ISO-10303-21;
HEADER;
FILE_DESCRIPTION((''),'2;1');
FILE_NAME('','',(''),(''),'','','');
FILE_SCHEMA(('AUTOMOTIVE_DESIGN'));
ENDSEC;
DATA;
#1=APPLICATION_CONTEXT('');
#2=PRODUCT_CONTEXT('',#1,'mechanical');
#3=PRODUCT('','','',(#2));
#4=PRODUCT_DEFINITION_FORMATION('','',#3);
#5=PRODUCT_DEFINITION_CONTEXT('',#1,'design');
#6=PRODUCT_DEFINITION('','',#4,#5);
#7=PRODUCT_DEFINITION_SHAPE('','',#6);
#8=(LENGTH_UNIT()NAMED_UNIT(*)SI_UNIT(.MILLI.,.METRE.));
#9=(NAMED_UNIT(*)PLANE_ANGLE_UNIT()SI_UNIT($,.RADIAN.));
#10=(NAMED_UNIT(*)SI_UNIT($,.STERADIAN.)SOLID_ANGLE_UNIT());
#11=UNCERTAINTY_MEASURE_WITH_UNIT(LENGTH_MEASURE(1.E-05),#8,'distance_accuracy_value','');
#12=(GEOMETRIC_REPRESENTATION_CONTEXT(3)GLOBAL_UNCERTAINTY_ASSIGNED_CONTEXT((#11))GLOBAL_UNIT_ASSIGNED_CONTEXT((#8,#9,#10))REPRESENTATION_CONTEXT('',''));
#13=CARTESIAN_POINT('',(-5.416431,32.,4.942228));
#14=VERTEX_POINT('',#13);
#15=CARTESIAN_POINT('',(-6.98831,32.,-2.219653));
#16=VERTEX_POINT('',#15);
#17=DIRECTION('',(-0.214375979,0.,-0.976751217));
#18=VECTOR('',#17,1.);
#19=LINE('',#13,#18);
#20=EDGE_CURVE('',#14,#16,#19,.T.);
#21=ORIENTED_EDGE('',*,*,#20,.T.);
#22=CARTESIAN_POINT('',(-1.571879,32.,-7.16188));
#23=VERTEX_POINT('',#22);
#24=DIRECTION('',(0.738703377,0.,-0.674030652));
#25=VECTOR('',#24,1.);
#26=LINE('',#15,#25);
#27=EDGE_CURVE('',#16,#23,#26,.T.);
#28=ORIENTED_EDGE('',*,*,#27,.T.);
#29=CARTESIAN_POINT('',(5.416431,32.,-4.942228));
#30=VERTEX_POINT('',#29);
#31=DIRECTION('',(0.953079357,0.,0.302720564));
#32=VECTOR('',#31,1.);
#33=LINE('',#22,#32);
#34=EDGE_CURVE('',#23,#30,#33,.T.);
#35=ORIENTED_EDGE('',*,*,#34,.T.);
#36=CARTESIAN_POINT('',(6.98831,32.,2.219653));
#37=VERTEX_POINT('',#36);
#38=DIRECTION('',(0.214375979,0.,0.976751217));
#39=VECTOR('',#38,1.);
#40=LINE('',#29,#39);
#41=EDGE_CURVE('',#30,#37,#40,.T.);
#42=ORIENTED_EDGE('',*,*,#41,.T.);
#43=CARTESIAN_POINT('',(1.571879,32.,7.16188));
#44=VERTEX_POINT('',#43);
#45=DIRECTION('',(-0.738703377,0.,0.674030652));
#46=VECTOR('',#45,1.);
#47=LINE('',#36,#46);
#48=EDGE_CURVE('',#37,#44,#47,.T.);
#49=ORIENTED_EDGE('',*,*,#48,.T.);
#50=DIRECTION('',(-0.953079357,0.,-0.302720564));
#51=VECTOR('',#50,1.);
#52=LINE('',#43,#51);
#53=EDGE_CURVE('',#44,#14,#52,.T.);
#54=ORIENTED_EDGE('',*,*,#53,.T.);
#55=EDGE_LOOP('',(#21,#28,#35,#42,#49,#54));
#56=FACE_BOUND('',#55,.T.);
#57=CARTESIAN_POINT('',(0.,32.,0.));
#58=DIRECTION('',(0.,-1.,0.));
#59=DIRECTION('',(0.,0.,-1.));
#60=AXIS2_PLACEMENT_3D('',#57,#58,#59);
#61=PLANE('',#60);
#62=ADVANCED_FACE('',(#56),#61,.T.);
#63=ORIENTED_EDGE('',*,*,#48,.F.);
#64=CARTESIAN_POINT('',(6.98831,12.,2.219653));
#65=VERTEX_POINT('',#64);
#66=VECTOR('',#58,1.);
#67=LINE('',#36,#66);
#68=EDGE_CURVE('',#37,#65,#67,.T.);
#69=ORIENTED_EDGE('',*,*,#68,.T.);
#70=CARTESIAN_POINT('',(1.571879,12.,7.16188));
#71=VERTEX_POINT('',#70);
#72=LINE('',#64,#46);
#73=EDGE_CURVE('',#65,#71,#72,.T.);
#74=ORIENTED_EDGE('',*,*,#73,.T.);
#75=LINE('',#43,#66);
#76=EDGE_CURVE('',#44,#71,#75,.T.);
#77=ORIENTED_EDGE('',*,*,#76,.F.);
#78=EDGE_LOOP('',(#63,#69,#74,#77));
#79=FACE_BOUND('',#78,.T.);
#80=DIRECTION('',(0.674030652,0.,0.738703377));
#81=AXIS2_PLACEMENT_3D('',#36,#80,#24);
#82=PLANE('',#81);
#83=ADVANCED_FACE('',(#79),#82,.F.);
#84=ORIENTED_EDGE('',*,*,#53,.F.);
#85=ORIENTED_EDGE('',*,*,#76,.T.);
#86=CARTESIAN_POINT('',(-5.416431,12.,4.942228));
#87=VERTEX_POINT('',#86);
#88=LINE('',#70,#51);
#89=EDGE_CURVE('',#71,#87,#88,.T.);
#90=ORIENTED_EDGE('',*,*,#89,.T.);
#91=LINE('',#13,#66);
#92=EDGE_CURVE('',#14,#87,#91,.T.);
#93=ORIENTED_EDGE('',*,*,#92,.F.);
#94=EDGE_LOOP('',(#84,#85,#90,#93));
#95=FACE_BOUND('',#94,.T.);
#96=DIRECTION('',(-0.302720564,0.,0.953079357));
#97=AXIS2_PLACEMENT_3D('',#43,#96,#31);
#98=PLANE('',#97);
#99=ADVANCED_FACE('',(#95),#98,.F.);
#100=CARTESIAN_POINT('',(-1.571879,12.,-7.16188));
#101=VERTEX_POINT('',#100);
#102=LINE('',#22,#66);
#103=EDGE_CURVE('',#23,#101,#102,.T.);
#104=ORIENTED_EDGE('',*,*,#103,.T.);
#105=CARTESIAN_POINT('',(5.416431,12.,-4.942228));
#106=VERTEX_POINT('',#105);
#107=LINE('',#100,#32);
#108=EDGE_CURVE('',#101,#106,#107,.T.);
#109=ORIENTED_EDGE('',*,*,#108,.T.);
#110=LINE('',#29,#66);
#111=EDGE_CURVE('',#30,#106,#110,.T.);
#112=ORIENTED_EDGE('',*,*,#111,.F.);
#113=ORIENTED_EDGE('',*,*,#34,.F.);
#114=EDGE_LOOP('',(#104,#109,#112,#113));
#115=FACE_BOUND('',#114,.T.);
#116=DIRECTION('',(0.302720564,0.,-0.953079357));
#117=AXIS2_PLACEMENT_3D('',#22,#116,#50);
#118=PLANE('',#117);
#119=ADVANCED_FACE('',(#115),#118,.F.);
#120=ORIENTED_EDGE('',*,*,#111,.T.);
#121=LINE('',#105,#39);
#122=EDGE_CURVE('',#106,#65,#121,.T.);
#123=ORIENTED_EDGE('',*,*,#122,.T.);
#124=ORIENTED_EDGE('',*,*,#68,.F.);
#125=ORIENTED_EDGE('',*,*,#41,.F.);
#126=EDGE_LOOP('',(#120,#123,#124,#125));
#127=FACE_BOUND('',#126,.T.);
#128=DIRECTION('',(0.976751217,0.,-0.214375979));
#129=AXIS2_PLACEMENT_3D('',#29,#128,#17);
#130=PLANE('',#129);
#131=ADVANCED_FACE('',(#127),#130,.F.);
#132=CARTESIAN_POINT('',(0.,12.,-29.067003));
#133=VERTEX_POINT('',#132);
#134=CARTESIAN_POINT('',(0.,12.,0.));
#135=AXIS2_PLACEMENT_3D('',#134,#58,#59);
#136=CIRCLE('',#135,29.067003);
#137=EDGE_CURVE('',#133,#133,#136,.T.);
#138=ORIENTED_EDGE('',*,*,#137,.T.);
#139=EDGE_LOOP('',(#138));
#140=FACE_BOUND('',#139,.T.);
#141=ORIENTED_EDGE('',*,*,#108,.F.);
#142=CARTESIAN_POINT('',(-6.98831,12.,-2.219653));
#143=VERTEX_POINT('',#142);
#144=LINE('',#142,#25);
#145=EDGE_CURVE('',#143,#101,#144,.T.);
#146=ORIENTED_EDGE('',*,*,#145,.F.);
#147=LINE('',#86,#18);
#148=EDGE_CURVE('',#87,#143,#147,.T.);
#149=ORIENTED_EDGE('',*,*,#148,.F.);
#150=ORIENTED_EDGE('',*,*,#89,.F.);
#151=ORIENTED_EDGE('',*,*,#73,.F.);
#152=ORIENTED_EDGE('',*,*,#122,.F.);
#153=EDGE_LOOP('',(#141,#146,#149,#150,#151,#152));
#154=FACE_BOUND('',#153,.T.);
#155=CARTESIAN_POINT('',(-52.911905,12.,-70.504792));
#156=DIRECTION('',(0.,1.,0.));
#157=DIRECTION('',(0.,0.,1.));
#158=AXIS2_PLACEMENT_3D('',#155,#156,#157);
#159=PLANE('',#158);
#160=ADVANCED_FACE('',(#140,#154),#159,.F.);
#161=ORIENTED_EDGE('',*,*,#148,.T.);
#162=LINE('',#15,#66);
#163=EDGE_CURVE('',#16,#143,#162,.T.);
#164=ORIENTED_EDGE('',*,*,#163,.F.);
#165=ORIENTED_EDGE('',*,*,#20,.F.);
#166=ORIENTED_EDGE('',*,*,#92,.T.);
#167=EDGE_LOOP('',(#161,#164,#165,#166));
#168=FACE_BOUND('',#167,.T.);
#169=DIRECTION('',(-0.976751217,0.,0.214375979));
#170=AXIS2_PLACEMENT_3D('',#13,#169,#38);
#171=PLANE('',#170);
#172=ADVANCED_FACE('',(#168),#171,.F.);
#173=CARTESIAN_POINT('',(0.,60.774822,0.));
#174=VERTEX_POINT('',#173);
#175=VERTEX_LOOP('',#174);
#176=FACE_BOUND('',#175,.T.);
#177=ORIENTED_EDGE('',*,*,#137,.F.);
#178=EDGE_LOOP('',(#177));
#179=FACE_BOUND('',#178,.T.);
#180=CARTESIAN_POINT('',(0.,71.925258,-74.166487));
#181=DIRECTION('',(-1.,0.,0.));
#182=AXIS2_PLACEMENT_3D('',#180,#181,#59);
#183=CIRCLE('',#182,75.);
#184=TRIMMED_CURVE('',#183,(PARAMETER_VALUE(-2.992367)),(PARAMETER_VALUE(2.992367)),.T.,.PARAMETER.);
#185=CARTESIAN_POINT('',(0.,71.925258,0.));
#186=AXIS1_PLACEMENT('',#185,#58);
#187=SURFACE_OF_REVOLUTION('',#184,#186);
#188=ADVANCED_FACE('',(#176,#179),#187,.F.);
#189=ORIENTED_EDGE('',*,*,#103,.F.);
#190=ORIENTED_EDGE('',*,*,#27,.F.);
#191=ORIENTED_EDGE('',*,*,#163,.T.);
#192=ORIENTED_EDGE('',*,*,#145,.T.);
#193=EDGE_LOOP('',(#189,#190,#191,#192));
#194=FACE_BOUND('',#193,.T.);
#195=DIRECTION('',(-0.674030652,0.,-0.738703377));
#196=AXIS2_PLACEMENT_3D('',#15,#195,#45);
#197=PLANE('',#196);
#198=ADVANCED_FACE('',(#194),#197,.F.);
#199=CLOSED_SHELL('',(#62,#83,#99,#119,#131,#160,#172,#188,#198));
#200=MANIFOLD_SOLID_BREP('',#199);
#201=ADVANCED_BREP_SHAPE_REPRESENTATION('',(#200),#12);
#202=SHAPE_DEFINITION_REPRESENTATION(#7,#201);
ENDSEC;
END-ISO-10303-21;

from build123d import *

# Parameters (mm, degrees)
SKETCH4_W               = 141.009584828
SKETCH4_H               = 12
CUT_EXTRUDE1_DEPTH      = 53.911904977
CUT_EXTRUDE1_DEPTH_BACK = 53.911904977
CUT_EXTRUDE2_DEPTH      = 20


with BuildPart() as part:
    # Sketch3 → Revolve2 (revolve)
    with BuildSketch(Plane.XY):
        with BuildLine():
            Line((0, 0), (0, 60.774821803))
            ThreePointArc((0, 60.774821803), (17.600685917, 22.677819891), (52.911904877, 0))
            Line((52.911904877, 0), (0, 0))
        make_face()
    revolve(axis=Axis((0, 0, 0), (0, 1, 0)))

    # Sketch4 → Cut-Extrude1 (cut, two sides)
    with BuildSketch(Plane(origin=(0, 0, 0), x_dir=(0, 0, -1), z_dir=(1, 0, 0))) as cut_extrude1_sk:
        with Locations((0, 6)):
            Rectangle(SKETCH4_W, SKETCH4_H)
    extrude(amount=CUT_EXTRUDE1_DEPTH, mode=Mode.SUBTRACT)
    extrude(cut_extrude1_sk.sketch, amount=-CUT_EXTRUDE1_DEPTH_BACK, mode=Mode.SUBTRACT)

    # Sketch5 → Cut-Extrude2 (cut)
    with BuildSketch(Plane.XZ.offset(-12)):
        Polygon((-5.41643054, 4.942227588), (-6.988309913, -2.219652652), (-1.571879373, -7.16188024), (5.41643054, -4.942227588), (6.988309913, 2.219652652), (1.571879373, 7.16188024), align=None)
    extrude(amount=-CUT_EXTRUDE2_DEPTH, mode=Mode.SUBTRACT)


solid = part.part
